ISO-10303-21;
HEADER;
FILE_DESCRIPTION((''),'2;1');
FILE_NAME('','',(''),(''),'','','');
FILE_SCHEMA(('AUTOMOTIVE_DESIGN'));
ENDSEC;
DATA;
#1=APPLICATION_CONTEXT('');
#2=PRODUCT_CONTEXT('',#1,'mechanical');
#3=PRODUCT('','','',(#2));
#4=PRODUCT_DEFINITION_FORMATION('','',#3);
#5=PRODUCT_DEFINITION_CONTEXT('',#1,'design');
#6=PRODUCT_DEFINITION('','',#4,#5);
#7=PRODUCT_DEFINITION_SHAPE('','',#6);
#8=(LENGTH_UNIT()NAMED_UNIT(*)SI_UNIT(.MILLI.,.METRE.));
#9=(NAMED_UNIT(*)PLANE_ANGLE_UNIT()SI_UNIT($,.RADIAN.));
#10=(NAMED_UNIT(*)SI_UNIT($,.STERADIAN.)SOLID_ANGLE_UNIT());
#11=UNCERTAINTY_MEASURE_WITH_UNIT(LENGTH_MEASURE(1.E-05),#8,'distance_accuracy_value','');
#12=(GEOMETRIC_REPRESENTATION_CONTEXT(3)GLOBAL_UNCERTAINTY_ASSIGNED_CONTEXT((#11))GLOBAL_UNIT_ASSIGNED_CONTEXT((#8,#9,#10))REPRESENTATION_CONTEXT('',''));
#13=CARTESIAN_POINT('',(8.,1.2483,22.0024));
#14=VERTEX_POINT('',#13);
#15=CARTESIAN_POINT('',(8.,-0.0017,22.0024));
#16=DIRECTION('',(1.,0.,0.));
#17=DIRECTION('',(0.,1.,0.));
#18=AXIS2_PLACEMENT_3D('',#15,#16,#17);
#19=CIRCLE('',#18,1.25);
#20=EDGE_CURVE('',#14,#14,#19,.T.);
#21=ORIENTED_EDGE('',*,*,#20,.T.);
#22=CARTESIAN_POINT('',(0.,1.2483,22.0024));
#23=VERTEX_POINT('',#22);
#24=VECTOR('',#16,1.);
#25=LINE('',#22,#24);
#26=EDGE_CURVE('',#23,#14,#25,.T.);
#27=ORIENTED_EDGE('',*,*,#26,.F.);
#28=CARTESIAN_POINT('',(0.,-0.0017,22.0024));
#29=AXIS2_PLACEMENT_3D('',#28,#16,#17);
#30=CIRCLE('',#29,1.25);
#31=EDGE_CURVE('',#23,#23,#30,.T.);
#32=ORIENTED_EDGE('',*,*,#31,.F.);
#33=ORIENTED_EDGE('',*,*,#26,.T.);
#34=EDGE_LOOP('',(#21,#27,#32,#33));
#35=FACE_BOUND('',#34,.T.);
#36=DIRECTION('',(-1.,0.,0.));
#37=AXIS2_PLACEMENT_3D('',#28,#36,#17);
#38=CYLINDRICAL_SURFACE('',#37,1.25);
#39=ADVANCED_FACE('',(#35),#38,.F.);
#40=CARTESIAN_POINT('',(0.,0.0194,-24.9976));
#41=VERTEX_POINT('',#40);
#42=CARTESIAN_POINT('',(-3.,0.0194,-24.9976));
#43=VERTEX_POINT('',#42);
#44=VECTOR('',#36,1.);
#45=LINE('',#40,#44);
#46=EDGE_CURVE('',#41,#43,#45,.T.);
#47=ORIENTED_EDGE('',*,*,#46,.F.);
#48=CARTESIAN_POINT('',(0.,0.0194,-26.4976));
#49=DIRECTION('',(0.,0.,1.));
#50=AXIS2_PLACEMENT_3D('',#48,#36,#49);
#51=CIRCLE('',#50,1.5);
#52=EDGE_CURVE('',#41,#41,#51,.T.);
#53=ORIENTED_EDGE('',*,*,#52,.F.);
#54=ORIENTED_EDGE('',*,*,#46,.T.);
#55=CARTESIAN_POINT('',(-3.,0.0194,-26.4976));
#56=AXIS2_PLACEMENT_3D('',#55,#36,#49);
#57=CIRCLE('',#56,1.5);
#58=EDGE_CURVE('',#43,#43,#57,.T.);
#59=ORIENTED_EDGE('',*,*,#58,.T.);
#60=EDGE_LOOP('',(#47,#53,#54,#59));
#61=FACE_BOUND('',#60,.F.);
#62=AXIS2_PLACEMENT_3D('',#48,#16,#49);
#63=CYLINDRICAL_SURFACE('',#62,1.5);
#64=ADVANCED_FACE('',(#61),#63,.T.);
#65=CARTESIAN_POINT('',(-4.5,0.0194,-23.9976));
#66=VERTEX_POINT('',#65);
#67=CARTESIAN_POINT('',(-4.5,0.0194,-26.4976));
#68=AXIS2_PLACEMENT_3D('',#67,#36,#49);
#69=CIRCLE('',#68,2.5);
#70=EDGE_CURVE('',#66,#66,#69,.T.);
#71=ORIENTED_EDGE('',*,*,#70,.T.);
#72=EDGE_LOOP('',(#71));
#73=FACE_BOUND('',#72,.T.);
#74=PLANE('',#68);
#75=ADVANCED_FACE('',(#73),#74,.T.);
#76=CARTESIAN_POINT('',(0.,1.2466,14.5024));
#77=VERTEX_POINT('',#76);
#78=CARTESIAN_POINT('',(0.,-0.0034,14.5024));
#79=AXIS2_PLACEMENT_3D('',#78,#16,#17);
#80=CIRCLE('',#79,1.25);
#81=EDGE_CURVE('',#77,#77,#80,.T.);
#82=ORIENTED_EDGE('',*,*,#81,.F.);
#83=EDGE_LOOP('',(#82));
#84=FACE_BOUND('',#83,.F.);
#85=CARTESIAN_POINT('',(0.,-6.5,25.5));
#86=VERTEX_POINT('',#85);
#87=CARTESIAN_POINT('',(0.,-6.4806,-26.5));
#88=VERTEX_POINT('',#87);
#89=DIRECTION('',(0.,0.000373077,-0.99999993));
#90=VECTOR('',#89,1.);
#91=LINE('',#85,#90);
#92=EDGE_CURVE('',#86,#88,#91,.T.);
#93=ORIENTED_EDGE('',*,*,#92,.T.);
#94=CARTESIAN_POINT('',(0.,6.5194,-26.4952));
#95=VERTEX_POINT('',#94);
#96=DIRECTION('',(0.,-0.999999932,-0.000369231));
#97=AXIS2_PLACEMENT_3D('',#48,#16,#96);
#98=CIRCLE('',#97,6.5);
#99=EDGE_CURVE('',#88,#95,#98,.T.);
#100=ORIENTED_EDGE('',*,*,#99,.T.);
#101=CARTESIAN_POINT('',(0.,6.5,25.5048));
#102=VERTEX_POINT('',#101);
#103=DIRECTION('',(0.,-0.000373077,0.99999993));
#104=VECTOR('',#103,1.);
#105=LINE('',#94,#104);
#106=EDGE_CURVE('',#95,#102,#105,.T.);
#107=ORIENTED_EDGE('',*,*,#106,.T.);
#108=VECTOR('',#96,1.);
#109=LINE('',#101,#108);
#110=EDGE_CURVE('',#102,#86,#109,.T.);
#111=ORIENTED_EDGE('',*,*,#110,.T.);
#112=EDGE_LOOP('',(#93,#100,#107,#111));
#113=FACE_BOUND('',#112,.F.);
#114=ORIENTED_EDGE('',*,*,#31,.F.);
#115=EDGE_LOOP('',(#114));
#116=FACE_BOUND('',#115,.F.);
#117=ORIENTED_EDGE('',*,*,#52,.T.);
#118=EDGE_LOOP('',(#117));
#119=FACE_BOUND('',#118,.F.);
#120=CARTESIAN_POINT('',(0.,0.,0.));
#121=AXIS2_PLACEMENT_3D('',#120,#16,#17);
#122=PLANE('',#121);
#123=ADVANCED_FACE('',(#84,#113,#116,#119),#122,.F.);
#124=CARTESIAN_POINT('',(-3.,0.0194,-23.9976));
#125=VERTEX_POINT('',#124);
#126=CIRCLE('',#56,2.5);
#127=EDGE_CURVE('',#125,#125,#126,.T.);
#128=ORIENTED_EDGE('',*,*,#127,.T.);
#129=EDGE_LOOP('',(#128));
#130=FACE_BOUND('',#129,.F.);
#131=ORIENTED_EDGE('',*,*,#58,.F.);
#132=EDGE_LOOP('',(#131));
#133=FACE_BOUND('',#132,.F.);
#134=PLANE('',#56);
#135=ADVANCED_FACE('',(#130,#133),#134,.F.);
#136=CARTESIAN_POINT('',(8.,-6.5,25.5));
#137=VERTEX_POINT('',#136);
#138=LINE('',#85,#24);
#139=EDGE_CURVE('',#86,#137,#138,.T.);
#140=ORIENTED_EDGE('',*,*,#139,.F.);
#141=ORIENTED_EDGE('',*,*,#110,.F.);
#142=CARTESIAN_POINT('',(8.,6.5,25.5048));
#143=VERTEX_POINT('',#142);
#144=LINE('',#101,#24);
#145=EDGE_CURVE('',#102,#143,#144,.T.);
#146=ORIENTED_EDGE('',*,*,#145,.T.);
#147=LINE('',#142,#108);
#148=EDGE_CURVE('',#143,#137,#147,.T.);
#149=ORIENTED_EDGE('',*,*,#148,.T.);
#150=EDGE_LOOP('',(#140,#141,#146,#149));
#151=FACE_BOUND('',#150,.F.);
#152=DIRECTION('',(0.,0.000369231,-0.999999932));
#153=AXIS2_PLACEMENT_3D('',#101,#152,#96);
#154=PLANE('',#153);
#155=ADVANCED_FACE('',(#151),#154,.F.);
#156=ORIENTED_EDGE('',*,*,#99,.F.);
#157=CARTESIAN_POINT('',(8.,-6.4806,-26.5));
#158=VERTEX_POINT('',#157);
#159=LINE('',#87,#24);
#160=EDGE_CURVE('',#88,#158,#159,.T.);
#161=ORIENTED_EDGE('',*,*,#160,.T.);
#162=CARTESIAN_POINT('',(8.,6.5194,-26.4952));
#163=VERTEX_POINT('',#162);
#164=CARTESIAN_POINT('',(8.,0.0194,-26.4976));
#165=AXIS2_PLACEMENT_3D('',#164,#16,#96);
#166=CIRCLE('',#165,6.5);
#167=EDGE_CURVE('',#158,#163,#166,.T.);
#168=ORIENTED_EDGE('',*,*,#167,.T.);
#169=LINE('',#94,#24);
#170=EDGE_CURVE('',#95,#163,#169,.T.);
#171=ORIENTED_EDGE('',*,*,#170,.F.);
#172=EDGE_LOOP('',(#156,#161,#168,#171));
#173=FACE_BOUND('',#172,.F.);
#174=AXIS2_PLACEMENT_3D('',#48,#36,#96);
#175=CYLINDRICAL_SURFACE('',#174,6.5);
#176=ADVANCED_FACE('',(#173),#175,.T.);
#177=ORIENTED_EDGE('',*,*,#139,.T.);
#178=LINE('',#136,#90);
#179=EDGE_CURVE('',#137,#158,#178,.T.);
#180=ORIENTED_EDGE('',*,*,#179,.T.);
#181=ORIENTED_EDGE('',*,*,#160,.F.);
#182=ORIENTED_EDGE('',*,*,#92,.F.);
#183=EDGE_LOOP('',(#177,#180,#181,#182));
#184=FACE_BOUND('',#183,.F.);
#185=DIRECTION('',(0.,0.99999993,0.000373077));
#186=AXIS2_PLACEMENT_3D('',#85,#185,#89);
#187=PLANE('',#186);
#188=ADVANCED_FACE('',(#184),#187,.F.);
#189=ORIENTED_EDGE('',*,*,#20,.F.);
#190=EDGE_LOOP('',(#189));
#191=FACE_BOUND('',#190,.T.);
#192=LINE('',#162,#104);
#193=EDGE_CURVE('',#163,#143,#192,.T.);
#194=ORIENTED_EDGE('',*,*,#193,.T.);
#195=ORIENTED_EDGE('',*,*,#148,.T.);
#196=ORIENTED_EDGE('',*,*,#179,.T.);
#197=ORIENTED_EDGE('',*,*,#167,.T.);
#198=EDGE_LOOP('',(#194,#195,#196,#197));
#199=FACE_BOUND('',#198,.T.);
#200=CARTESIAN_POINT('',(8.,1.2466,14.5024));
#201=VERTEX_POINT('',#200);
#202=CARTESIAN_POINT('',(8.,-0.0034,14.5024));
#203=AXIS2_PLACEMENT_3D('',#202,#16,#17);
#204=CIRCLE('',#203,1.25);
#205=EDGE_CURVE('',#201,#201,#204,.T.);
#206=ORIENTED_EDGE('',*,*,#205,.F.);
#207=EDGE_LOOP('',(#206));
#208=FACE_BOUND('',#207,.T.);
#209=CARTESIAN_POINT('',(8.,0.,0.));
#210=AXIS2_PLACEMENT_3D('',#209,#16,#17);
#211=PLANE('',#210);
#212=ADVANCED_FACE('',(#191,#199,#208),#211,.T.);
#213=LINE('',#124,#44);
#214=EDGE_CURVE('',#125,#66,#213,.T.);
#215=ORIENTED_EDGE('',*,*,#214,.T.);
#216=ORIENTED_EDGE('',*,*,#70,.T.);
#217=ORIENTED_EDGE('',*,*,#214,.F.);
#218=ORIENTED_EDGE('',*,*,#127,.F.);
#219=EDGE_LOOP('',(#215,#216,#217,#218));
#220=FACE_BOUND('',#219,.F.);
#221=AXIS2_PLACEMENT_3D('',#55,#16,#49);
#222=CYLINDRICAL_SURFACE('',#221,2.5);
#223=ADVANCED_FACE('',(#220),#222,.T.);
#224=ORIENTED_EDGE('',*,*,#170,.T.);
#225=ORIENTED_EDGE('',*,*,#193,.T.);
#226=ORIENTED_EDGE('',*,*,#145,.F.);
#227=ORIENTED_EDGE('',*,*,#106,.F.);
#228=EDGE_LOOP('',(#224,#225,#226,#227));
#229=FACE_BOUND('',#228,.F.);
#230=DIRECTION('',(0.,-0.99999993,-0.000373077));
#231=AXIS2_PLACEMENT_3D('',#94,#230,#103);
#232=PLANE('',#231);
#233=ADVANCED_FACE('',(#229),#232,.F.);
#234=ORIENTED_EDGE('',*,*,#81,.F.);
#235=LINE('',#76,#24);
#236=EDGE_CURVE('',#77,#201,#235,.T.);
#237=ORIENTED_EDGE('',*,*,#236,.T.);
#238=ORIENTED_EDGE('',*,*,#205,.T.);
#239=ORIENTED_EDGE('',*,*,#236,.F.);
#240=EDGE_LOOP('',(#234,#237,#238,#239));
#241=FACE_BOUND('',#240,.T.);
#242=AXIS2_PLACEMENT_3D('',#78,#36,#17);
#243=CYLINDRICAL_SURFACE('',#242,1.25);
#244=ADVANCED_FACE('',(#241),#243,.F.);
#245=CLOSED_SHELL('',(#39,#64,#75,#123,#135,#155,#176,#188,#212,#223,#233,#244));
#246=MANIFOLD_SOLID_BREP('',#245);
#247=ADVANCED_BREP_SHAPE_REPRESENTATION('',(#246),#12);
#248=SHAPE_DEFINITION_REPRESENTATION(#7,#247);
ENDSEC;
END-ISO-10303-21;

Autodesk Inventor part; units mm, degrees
ref_plane "YZ Plane" through (0, 0, 0) normal (1, 0, 0) x (0, 1, 0)
ref_plane "XZ Plane" through (0, 0, 0) normal (0, 1, 0) x (-1, 0, 0)
ref_plane "XY Plane" through (0, 0, 0) normal (0, 0, 1) x (1, 0, 0)
sketch "Sketch1" plane through (0, 0, 0) normal (1, 0, 0) x (0, 1, 0)
  line L0 (6.5194, -26.4952) -> (6.5, 25.5048)
  line L1 (6.5, 25.5048) -> (-6.5, 25.5)
  line L2 (-6.5, 25.5) -> (-6.4806, -26.5)
  line L3 (-6.4806, -26.5) -> (6.5, 25.5048) construction
  line L4 (6.5194, -26.4952) -> (-6.5, 25.5) construction
  circle A0 centre (-0.0034, 14.5024) radius 1.25
  arc A1 (-6.4806, -26.5) -> (6.5194, -26.4952) centre (0.0194, -26.4976) ccw
  circle A2 centre (-0.0017, 22.0024) radius 1.25
  dimension "d8" = 13
  dimension "d12" = 2.5
  dimension "d22" = 52
  dimension "d23" = 6.5
  dimension "d24" = 90
  dimension "d25" = 90
  dimension "d26" = 11
  dimension "d27" = 2.5
  dimension "d28" = 7.5
extrude "Extrusion1" add sketch "Sketch1" along normal blind 8
sketch "Sketch2" plane through (0, 0, 0) normal (-1, 0, 0) x (0, 0, 1)
  arc A0 (-26.4952, 6.5194) -> (-26.5, -6.4806) centre (-26.4976, 0.0194) ccw projected
  circle A1 centre (-26.4976, 0.0194) radius 1.5
  point P0 (0, 0)
  dimension "d16" = 3
extrude "Extrusion2" add sketch "Sketch2" along normal blind 3
sketch "Sketch3" plane through (-3, 0.0194, -26.4976) normal (-1, 0, 0) x (0, 0, 1)
  circle A0 centre (0, 0) radius 1.5 projected
  circle A1 centre (0, 0) radius 2.5
  point P0 (26.4976, -0.0194)
  dimension "d19" = 5
extrude "Extrusion3" add sketch "Sketch3" along normal blind 1.5 contours A0 | A1
properties part number "Arm2"
